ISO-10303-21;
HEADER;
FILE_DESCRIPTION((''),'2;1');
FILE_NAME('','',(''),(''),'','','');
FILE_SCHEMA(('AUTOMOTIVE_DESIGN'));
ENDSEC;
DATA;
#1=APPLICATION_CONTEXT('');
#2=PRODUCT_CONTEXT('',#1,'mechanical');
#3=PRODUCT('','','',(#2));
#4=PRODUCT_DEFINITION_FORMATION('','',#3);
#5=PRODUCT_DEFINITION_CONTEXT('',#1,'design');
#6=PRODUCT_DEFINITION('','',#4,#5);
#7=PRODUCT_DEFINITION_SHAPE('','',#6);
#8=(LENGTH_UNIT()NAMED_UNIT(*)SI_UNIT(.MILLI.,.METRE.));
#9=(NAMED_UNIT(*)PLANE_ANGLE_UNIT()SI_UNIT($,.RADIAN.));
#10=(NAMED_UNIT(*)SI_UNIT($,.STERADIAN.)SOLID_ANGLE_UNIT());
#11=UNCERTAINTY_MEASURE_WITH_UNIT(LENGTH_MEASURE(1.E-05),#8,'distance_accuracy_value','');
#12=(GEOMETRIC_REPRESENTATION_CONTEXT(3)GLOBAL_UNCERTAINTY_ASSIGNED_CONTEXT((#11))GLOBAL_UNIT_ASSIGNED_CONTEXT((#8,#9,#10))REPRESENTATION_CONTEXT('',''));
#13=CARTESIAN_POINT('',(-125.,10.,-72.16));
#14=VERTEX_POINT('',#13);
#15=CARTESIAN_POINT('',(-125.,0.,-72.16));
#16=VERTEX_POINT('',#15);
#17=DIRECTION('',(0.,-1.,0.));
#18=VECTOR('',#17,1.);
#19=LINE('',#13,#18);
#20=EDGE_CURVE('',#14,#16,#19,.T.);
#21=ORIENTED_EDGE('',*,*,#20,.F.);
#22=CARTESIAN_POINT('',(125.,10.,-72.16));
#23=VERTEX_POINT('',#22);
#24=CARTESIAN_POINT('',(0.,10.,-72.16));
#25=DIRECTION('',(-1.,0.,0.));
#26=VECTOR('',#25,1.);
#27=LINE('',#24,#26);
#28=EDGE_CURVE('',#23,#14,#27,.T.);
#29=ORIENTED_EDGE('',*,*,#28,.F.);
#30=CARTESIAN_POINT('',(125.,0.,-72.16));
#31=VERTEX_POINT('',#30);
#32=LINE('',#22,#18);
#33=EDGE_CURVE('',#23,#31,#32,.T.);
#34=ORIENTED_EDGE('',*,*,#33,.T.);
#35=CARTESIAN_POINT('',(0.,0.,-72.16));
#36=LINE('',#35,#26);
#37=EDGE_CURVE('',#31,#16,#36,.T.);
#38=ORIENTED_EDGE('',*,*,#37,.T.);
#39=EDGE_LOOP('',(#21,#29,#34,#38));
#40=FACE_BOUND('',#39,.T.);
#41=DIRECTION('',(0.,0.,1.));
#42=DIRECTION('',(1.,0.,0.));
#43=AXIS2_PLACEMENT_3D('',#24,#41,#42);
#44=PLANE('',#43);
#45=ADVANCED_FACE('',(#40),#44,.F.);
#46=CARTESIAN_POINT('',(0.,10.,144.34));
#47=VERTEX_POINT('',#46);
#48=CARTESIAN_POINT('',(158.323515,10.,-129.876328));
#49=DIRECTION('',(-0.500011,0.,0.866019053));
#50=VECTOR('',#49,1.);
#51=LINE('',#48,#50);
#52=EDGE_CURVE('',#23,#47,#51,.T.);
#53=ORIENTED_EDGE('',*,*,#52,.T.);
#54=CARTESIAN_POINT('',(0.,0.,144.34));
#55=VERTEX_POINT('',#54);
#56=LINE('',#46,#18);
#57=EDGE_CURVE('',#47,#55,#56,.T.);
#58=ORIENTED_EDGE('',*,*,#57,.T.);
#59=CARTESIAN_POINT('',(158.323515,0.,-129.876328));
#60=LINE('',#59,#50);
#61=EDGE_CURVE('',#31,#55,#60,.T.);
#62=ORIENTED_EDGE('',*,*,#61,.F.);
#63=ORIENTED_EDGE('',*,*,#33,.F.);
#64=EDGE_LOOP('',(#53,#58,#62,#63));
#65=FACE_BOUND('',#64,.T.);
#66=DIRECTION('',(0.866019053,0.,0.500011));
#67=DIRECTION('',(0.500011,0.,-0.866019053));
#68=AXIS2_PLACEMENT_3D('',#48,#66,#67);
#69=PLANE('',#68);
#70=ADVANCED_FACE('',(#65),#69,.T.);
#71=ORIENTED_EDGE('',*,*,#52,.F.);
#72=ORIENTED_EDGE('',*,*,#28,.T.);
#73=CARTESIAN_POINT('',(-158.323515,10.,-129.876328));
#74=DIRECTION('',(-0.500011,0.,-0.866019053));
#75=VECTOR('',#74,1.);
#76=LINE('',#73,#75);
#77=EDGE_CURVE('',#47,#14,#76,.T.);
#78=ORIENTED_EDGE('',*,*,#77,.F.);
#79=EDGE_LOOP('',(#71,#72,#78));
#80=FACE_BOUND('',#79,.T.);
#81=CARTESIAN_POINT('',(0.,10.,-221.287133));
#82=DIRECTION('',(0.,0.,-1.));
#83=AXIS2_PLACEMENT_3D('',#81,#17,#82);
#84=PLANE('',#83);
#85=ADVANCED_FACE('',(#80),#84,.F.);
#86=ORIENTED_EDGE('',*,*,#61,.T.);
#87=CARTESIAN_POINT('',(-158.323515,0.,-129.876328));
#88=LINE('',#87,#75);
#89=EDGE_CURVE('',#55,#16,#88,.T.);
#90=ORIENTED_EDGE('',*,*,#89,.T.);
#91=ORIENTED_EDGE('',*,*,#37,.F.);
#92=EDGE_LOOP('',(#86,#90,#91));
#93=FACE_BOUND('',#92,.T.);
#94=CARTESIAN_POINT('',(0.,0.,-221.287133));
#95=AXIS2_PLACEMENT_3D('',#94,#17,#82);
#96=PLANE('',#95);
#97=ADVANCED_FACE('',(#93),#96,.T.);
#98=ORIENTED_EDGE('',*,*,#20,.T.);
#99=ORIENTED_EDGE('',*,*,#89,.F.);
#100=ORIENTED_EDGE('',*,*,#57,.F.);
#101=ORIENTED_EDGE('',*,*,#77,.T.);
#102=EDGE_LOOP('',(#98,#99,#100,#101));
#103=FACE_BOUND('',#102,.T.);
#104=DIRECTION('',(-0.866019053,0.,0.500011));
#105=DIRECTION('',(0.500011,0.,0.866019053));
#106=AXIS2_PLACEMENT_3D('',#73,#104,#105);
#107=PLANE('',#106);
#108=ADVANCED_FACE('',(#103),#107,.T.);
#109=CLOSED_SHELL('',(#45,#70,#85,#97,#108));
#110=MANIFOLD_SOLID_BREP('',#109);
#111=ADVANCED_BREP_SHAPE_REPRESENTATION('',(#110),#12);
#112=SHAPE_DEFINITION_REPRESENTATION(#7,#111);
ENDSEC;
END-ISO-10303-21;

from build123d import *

# Parameters (mm, degrees)
EXTRUDE1_DEPTH = 10


with BuildPart() as part:
    # Sketch1 → Extrude1 (new body)
    with BuildSketch(Plane(origin=(0, 0, 0), x_dir=(1, 0, 0), z_dir=(0, 1, 0))):
        Polygon((-125, 72.16), (0, -144.34), (125, 72.16), align=None)
    extrude(amount=EXTRUDE1_DEPTH)


solid = part.part
